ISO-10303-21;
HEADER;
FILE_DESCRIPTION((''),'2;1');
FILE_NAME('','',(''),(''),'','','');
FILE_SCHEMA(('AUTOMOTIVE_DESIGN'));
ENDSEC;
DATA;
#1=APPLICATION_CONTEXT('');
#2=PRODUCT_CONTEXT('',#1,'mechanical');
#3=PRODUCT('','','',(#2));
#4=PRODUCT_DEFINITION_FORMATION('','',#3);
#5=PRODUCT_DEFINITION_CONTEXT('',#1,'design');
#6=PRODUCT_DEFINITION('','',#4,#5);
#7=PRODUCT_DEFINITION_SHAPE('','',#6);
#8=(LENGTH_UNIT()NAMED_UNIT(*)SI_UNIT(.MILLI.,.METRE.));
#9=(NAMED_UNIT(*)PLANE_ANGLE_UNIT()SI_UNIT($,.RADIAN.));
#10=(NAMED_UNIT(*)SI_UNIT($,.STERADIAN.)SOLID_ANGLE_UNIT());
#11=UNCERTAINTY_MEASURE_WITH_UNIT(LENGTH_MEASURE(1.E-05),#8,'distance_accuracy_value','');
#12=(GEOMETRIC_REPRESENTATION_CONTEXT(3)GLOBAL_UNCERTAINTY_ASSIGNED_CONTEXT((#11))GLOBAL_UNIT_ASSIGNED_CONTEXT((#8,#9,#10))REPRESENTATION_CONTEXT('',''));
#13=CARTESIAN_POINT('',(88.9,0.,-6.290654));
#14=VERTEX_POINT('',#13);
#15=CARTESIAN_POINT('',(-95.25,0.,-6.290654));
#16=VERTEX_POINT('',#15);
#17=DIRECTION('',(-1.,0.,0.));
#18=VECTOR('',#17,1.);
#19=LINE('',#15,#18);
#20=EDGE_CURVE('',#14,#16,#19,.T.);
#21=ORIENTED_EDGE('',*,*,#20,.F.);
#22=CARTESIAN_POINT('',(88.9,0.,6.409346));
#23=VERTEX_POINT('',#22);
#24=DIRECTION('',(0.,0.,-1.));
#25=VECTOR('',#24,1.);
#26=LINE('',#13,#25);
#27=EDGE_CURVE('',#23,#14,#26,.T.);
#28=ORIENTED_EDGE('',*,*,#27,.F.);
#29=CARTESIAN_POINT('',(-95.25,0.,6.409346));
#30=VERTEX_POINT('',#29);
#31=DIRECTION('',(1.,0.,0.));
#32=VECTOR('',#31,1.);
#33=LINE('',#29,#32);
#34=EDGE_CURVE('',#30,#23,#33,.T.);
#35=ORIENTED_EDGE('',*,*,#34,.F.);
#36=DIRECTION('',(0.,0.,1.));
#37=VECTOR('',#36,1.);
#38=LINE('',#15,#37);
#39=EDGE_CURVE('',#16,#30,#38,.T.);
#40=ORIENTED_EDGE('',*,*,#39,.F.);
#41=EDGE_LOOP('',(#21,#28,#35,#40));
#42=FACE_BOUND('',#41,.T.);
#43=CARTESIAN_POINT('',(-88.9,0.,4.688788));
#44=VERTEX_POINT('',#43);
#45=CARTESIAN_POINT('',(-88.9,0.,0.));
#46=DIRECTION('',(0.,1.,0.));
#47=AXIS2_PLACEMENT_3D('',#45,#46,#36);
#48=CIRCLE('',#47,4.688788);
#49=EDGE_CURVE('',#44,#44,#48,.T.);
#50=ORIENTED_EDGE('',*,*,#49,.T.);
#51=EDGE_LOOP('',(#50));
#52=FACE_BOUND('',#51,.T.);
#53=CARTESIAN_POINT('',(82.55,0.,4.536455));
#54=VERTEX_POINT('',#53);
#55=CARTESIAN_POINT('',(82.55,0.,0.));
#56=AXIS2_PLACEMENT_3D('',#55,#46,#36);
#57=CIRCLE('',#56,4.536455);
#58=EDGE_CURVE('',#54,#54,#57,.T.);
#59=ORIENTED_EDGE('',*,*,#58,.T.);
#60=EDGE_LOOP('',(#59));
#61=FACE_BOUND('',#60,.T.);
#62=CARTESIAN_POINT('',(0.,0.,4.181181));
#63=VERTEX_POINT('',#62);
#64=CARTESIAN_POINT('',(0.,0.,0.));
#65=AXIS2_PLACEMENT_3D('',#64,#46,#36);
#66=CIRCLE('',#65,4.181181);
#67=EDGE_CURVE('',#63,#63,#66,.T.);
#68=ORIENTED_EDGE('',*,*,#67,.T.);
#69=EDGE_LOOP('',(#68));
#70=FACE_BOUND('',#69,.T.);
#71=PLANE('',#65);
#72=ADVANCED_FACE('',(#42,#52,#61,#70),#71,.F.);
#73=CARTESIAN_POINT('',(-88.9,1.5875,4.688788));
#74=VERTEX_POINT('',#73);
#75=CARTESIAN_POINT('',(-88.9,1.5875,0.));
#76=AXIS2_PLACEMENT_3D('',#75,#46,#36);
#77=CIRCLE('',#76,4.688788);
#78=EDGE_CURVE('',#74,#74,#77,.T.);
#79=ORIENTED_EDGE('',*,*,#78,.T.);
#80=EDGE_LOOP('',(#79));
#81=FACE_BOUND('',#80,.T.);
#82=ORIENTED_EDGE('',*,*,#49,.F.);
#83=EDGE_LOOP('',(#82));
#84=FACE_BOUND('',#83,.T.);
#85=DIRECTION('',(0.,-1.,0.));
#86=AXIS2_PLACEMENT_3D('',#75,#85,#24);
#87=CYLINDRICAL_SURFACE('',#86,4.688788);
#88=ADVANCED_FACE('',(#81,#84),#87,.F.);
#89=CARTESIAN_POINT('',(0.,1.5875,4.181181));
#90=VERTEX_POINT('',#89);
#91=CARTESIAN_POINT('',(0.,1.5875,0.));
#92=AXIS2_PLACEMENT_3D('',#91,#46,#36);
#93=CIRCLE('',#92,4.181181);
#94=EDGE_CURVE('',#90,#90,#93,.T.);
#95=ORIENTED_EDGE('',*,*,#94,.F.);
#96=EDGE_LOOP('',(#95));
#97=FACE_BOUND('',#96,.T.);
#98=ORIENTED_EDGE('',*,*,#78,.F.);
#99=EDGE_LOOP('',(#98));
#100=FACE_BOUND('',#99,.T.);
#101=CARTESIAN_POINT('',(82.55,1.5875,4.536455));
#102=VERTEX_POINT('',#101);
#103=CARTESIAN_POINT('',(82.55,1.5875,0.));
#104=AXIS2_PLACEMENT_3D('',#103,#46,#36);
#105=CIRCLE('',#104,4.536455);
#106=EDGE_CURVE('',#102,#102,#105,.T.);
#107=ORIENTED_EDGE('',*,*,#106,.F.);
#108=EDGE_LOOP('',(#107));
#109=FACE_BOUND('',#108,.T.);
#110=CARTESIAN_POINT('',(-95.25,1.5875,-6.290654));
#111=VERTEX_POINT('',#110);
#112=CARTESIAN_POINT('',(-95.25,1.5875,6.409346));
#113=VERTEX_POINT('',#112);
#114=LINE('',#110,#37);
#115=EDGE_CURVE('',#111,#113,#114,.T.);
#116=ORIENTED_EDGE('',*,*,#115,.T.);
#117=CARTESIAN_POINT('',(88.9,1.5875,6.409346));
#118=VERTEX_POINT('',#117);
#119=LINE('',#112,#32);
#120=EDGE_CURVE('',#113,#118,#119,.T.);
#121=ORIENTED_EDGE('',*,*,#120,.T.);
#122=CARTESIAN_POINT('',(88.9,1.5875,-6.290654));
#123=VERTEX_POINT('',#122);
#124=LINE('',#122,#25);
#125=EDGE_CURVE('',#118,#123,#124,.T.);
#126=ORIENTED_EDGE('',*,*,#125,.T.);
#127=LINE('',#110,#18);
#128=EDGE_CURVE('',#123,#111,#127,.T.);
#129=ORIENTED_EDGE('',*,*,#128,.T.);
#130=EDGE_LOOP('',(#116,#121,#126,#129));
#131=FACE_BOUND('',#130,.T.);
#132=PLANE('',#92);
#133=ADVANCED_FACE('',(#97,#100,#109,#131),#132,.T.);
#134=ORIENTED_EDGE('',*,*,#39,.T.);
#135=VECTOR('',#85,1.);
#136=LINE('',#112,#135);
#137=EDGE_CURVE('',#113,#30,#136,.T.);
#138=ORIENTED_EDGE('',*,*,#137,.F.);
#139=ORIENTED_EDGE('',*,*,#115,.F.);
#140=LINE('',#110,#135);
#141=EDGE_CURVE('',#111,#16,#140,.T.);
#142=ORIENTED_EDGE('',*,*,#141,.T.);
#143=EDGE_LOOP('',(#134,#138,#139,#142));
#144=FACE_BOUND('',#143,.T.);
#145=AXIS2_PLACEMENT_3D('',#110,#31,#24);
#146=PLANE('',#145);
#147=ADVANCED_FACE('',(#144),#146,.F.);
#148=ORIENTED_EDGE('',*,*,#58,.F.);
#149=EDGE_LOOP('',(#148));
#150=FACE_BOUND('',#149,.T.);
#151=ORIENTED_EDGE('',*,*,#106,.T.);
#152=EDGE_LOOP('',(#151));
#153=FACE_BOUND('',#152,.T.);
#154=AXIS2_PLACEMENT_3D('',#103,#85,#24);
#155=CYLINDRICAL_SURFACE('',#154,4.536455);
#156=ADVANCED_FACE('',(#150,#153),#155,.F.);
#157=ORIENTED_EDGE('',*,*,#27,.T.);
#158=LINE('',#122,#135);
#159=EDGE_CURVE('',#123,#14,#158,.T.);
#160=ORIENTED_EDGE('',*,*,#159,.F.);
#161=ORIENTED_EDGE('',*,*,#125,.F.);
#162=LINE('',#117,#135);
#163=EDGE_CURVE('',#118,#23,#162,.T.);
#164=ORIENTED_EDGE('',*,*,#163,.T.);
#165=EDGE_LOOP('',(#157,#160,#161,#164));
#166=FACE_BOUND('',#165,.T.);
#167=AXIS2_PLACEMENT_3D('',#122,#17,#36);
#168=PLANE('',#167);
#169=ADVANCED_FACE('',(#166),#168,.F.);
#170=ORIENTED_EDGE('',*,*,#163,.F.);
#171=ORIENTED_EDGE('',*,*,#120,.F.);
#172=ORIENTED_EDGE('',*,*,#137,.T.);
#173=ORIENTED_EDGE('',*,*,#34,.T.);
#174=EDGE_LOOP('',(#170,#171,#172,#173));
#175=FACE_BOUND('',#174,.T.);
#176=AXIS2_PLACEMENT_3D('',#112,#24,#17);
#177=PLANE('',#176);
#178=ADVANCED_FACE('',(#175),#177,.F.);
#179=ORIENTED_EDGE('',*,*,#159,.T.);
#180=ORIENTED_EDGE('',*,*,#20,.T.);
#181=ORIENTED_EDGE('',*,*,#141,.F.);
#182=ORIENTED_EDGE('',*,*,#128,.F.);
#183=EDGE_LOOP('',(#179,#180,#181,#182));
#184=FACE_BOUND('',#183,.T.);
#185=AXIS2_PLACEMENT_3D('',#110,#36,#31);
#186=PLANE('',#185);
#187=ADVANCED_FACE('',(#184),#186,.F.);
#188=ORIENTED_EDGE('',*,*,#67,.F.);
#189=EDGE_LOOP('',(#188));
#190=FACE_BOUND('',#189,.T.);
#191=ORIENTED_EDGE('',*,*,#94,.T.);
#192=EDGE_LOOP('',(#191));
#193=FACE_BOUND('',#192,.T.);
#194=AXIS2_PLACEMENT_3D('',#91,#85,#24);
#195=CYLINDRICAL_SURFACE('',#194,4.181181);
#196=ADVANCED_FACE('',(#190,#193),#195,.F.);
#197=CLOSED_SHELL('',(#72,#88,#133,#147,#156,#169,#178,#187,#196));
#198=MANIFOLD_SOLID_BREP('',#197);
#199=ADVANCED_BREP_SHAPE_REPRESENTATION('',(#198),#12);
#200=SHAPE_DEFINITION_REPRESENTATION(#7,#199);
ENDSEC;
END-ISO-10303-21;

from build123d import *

# Parameters (mm, degrees)
SKETCH2_W           = 184.15
SKETCH2_H           = 12.7
SKETCH2_R           = 4.181180969
SKETCH2_R_2         = 4.536454583
SKETCH2_R_3         = 4.688788017
BOSS_EXTRUDE1_DEPTH = 1.5875


with BuildPart() as part:
    # Sketch2 → Boss-Extrude1 (new body)
    with BuildSketch(Plane(origin=(0, 0, 0), x_dir=(1, 0, 0), z_dir=(0, 1, 0))):
        with Locations((-3.175, -0.059345794)):
            Rectangle(SKETCH2_W, SKETCH2_H)
        Circle(SKETCH2_R, mode=Mode.SUBTRACT)
        with Locations((82.55, 0)):
            Circle(SKETCH2_R_2, mode=Mode.SUBTRACT)
        with Locations((-88.9, 0)):
            Circle(SKETCH2_R_3, mode=Mode.SUBTRACT)
    extrude(amount=BOSS_EXTRUDE1_DEPTH)


solid = part.part
